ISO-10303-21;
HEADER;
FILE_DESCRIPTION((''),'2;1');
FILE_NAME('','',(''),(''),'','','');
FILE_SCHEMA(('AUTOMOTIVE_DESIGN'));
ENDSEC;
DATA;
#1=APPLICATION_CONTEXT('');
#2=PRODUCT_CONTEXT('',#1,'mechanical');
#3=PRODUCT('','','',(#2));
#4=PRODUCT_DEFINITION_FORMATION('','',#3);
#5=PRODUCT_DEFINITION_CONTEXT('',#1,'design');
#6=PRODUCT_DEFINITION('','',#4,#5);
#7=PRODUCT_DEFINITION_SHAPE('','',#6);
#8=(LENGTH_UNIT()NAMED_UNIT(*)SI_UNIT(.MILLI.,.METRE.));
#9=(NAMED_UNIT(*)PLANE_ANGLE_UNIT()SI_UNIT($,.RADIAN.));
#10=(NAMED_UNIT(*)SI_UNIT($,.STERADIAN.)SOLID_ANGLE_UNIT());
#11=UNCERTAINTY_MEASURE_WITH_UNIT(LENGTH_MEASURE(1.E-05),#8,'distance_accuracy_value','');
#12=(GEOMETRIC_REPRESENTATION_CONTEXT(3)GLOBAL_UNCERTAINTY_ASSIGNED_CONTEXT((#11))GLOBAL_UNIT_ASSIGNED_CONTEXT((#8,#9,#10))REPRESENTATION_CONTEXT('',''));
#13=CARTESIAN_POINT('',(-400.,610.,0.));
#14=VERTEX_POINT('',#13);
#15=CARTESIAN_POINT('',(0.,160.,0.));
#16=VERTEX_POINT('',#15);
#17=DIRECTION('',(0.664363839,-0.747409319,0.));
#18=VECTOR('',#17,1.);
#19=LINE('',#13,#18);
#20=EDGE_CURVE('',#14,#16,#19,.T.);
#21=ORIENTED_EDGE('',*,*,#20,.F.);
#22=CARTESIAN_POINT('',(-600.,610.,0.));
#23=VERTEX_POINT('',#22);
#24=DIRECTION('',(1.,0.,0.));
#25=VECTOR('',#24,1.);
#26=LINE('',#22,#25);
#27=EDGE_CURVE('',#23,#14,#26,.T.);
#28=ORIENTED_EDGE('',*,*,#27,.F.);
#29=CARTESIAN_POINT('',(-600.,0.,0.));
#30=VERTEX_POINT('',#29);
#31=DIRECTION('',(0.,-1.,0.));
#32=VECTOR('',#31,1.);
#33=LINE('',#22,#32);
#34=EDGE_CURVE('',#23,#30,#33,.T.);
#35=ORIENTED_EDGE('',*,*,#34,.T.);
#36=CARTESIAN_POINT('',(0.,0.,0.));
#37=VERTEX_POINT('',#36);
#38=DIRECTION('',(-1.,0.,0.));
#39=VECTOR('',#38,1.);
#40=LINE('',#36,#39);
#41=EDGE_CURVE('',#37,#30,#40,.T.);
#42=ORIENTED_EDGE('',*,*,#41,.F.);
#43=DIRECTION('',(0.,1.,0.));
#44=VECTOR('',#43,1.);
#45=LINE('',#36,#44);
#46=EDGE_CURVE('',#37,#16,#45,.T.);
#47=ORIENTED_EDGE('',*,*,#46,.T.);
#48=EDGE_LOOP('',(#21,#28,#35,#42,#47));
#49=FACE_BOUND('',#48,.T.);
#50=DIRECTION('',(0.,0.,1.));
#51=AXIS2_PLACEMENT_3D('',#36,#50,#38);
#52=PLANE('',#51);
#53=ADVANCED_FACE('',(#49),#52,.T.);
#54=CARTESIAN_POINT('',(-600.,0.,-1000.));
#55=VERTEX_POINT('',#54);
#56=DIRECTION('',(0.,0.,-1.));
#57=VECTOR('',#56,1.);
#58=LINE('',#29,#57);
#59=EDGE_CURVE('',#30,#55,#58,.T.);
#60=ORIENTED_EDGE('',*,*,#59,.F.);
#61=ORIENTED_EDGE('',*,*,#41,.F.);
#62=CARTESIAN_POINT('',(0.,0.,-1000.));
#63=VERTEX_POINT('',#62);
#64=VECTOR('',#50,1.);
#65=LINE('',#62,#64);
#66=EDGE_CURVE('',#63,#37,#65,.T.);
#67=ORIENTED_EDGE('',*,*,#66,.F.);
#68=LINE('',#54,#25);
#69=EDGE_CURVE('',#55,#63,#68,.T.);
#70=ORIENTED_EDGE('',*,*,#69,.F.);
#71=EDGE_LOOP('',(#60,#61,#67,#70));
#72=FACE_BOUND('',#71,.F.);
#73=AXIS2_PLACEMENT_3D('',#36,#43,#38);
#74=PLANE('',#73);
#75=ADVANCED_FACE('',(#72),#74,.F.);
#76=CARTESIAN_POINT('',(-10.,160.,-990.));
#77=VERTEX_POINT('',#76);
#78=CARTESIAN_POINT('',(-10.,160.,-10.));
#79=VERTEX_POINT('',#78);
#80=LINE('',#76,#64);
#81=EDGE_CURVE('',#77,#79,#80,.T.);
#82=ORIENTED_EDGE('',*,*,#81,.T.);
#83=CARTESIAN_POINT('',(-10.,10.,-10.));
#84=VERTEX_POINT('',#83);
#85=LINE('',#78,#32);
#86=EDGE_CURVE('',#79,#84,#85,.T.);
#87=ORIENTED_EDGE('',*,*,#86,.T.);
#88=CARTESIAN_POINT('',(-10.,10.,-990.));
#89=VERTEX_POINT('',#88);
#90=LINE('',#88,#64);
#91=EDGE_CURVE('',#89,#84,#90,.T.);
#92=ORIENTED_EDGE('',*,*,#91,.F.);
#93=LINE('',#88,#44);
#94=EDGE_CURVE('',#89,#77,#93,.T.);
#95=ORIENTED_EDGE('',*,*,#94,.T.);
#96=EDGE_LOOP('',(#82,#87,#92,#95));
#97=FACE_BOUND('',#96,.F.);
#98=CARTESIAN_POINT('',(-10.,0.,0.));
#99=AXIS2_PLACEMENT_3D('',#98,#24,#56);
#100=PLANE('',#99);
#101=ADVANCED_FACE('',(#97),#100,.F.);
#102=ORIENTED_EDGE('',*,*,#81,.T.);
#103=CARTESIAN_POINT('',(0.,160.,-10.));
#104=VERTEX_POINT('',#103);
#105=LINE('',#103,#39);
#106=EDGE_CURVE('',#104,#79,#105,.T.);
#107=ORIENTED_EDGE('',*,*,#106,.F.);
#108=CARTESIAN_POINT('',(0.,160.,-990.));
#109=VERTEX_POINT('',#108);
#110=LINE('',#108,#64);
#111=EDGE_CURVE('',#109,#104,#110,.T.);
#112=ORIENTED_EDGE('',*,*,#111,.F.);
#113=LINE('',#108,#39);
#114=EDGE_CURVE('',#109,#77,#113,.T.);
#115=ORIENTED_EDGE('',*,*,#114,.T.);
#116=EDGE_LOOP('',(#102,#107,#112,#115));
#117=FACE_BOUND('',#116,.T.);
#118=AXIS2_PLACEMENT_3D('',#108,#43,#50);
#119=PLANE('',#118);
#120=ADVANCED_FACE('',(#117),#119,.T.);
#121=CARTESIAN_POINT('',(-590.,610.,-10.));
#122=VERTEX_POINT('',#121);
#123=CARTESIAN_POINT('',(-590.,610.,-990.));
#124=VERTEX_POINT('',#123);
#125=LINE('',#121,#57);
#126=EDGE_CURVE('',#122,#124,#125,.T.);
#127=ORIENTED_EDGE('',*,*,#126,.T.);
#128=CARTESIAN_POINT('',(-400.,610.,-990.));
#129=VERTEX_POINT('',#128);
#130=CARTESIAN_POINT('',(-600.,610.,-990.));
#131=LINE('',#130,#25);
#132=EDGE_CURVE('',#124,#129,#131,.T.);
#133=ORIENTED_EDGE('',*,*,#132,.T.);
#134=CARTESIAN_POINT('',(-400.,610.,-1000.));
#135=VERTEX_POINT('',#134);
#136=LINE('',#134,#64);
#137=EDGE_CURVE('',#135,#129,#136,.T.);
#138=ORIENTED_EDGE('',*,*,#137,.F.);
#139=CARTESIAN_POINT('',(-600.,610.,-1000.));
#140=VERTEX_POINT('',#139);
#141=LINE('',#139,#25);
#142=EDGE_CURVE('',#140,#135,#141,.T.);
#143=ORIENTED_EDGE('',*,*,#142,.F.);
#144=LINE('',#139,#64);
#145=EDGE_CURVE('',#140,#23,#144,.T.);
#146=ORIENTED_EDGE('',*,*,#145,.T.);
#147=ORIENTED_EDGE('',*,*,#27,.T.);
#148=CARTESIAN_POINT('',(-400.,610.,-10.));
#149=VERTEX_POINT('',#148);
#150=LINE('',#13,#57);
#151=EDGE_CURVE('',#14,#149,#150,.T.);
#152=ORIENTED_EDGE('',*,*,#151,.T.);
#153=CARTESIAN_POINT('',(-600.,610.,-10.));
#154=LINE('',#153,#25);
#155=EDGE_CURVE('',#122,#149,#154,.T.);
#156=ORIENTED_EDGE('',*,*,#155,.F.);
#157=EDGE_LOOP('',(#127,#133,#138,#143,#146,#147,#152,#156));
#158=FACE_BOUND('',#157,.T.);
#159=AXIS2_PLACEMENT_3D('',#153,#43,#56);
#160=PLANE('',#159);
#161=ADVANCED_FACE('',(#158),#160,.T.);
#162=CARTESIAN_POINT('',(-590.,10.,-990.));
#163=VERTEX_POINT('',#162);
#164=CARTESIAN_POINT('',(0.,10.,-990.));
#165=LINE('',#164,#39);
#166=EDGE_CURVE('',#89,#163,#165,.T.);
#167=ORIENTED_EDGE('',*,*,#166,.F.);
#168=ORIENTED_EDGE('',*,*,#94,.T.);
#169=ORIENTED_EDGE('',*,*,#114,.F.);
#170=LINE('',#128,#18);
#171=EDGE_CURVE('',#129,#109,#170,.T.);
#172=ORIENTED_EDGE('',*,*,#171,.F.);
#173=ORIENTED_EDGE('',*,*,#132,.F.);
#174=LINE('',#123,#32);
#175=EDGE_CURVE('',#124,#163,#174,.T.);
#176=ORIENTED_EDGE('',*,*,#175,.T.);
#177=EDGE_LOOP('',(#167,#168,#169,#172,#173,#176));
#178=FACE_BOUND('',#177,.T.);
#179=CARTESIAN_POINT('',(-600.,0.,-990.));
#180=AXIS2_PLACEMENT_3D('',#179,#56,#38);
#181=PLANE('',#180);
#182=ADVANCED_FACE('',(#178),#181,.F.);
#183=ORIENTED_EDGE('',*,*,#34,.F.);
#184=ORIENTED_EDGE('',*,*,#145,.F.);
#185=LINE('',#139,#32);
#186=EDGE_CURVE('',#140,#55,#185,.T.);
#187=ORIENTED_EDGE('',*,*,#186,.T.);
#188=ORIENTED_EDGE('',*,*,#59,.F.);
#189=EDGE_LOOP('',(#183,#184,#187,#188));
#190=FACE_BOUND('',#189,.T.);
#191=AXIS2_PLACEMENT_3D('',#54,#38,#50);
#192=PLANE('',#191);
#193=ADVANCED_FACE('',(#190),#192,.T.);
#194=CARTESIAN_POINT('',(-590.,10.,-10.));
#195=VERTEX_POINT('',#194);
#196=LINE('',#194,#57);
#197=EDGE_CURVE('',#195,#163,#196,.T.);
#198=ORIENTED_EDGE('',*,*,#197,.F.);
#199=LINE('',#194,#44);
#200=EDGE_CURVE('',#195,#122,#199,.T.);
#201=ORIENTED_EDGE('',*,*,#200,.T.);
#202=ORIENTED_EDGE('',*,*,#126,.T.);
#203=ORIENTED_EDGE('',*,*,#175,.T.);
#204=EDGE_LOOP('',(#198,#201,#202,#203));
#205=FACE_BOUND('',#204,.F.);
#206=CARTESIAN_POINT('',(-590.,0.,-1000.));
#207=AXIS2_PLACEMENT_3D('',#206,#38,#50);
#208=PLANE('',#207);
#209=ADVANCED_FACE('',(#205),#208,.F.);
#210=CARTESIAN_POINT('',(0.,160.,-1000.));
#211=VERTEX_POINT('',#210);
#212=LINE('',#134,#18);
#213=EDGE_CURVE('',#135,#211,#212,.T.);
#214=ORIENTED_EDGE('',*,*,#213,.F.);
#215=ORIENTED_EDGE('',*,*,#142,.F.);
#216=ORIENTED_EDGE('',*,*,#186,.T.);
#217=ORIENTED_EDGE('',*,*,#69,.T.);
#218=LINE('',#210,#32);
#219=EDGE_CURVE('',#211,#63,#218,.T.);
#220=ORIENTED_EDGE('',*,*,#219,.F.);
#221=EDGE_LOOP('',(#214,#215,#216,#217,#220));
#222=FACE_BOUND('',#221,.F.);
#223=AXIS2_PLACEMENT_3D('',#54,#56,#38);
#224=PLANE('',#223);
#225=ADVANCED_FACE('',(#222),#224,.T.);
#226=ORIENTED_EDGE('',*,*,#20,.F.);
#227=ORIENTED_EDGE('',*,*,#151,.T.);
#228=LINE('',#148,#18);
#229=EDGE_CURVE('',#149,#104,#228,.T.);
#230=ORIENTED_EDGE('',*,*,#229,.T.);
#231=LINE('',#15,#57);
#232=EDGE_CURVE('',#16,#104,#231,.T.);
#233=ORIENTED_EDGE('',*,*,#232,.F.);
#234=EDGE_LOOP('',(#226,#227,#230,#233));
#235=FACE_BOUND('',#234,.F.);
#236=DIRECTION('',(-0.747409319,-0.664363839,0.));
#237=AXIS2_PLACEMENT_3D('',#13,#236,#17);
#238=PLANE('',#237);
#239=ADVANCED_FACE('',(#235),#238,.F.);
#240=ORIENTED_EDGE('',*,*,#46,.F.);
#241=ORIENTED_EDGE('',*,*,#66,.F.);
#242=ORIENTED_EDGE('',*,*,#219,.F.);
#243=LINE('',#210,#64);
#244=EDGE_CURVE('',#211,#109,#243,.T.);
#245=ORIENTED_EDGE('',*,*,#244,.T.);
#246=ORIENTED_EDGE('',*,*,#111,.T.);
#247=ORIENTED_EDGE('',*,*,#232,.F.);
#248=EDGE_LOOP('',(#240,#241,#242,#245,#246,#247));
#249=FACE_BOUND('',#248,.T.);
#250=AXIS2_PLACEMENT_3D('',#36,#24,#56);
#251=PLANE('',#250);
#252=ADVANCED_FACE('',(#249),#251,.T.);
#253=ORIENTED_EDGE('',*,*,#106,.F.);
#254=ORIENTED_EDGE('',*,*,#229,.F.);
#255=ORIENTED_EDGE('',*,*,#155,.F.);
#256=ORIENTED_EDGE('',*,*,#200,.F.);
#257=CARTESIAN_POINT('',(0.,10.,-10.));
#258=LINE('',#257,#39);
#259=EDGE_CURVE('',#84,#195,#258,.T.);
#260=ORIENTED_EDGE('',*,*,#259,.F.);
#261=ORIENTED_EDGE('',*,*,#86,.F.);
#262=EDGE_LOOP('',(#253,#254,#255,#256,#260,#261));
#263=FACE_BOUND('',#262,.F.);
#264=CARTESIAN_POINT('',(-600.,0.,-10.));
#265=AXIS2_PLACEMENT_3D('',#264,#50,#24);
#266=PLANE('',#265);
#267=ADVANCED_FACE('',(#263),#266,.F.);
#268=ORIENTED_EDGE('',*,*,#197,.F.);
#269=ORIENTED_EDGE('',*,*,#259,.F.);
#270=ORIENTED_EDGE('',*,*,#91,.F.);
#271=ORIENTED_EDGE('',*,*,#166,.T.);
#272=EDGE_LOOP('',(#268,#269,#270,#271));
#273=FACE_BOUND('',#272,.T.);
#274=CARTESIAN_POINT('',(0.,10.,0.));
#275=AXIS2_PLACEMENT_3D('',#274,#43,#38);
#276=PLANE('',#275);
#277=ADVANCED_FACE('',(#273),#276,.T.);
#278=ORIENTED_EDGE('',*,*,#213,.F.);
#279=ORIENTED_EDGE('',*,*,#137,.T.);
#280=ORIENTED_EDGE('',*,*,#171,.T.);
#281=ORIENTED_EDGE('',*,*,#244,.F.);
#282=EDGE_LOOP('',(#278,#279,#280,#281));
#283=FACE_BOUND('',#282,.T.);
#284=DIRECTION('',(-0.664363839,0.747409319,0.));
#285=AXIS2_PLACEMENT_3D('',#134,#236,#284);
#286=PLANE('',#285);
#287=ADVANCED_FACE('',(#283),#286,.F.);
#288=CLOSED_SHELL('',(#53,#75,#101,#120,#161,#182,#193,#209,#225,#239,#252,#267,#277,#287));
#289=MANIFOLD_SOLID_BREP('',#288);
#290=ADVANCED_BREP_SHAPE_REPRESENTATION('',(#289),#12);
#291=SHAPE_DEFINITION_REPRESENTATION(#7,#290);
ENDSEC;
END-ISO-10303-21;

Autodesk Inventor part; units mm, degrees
ref_plane "YZ Plane" through (0, 0, 0) normal (1, 0, 0) x (0, 1, 0)
ref_plane "XZ Plane" through (0, 0, 0) normal (0, 1, 0) x (-1, 0, 0)
ref_plane "XY Plane" through (0, 0, 0) normal (0, 0, 1) x (1, 0, 0)
sketch "Sketch2" plane through (0, 0, 0) normal (0, 1, 0) x (-1, 0, 0)
  line L0 (0, 0) -> (600, 0)
  line L1 (600, 0) -> (600, -1000)
  line L2 (600, -1000) -> (0, -1000)
  line L3 (0, -1000) -> (0, 0)
  dimension "d0" = 600
  dimension "d1" = 1000
extrude "Extrusion1" add sketch "Sketch2" along normal blind 10
sketch "Sketch3" plane through (-600, 0, 0) normal (0, 0, 1) x (1, 0, 0)
  line L0 (600, 10) -> (0, 10) projected
  line L1 (0, 10) -> (0, 610)
  line L2 (0, 610) -> (200, 610)
  line L3 (200, 610) -> (600, 160)
  line L4 (600, 160) -> (600, 10)
  line L5 (0, 10) -> (600, 10)
  line L6 (600, 160) -> (0, 160) construction
  point P0 (600, 0)
  dimension "d4" = 600
  dimension "d5" = 200
  dimension "d6" = 150
  dimension "d13" = 600
  dimension "d14" = 48.367
extrude "Extrusion2" add sketch "Sketch3" against normal blind 10
ref_plane "Work Plane1" through (0, 0, -500) normal (0, 0, -1) x (-1, 0, 0)
mirror "Mirror1" about plane through (0, 0, -500) normal (0, 0, -1) of "Extrusion2"
sketch "Sketch4" plane through (0, 0, 0) normal (1, 0, 0) x (0, 0, -1)
  line L0 (990, 10) -> (10, 10) projected
  line L1 (1000, 160) -> (990, 160) projected
  line L2 (10, 10) -> (990, 10)
  line L3 (990, 10) -> (990, 160)
  line L4 (990, 160) -> (10, 160)
  line L5 (10, 160) -> (10, 10)
  point P0 (0, 0)
extrude "Extrusion3" add sketch "Sketch4" against normal blind 10
sketch "Sketch5" plane through (-600, 0, -1000) normal (-1, 0, 0) x (0, 0, 1)
  line L0 (990, 10) -> (10, 10) projected
  line L1 (990, 10) -> (990, 610) projected
  line L2 (10, 10) -> (990, 10)
  line L3 (990, 10) -> (990, 610)
  line L4 (990, 610) -> (10, 610)
  line L5 (10, 610) -> (10, 10)
  point P0 (1000, 0)
extrude "Extrusion4" add sketch "Sketch5" against normal blind 10
properties part number "bois"
